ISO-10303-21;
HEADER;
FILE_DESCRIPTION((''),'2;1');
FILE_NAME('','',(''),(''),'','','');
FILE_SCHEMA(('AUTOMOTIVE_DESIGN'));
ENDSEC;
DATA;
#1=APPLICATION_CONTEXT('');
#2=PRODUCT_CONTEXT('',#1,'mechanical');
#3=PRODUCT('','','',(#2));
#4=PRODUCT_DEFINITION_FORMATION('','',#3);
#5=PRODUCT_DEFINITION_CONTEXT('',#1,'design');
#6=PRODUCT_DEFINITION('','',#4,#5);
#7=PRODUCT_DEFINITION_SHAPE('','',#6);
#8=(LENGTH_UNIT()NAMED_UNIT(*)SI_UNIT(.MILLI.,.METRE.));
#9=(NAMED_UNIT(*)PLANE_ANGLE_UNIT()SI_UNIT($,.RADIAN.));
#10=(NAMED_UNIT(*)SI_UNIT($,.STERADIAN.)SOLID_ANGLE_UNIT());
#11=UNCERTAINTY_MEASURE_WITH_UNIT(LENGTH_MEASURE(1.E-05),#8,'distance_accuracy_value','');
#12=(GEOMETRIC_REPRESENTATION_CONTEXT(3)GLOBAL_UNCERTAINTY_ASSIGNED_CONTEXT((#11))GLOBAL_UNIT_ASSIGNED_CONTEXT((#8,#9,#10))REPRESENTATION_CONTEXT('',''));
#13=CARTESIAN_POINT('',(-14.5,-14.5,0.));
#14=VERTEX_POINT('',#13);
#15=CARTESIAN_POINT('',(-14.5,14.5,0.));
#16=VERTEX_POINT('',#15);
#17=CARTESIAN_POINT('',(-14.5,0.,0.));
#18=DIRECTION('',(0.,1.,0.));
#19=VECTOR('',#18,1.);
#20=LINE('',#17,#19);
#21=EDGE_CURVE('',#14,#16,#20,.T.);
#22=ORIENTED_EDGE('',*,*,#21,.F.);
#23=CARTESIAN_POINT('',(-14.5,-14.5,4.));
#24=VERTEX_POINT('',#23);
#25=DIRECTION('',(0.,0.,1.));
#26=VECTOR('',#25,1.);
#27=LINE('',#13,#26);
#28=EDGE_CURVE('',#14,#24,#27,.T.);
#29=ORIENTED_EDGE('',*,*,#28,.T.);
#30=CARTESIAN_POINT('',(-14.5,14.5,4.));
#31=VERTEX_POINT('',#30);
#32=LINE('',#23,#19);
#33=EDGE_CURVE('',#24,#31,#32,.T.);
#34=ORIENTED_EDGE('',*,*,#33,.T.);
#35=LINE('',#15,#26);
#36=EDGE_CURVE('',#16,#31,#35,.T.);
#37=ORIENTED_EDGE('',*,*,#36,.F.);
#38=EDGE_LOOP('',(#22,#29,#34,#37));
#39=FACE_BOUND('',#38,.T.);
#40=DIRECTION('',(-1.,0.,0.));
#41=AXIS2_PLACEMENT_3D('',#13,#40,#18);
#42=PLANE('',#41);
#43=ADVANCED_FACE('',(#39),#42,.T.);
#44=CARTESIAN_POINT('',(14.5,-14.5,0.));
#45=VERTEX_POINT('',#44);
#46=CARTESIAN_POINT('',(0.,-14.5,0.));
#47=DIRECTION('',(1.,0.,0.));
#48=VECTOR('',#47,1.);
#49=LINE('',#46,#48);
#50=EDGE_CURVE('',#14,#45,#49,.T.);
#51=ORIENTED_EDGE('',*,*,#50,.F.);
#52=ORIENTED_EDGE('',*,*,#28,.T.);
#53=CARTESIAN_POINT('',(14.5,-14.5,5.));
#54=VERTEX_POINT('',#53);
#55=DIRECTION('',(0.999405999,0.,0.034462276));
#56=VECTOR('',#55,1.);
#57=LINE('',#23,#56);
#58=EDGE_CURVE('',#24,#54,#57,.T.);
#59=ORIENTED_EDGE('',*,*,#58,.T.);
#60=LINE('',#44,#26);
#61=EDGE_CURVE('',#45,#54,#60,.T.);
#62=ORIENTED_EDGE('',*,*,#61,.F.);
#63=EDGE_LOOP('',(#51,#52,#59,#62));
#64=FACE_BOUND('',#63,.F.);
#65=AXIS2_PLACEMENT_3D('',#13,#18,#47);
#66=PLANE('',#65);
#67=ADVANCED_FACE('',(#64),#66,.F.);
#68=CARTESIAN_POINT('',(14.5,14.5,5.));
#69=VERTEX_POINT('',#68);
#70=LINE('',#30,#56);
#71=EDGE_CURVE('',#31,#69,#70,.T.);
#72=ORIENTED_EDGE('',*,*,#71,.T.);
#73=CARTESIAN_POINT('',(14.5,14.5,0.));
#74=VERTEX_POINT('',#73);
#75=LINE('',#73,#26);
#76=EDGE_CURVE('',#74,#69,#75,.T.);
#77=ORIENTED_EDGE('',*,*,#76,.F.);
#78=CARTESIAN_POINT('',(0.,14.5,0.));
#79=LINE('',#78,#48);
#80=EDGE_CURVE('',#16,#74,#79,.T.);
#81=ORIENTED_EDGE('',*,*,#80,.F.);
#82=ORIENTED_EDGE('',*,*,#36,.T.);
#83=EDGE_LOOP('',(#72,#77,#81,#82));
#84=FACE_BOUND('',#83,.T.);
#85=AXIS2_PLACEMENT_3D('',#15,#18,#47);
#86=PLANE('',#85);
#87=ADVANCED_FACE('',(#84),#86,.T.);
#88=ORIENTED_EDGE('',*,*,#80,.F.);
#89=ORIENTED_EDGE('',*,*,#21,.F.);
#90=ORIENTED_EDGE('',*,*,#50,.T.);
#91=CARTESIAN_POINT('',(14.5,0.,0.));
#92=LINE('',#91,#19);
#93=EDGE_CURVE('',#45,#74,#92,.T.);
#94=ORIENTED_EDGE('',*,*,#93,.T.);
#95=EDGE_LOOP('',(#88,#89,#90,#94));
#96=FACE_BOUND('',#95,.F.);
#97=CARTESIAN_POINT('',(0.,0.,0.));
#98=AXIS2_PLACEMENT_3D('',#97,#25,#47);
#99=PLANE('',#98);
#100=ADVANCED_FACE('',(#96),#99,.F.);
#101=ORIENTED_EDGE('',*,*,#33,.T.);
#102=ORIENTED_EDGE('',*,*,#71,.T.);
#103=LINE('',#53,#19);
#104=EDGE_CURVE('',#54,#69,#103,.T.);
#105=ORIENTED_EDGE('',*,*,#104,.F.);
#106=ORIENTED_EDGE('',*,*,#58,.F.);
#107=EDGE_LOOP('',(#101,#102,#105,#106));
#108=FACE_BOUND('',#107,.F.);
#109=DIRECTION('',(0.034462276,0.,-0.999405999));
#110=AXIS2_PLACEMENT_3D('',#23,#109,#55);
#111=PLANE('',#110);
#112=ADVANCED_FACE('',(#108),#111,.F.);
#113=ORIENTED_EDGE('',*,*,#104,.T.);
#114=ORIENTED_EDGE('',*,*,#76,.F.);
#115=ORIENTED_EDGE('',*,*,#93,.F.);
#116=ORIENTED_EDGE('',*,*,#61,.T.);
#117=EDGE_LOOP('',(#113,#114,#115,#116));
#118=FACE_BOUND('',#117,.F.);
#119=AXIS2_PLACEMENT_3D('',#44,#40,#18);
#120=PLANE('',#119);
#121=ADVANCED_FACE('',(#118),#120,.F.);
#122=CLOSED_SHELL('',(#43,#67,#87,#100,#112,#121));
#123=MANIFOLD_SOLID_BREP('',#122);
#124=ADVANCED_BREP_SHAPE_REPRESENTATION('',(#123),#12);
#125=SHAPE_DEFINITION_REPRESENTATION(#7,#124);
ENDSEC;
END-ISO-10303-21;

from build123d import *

# Parameters (mm, degrees)
F0_W     = 29
F0_H     = 29
F1_DEPTH = 6
F3_DEPTH = 29


with BuildPart() as f1:
    # F0 (on Top) → F1 (new body)
    with BuildSketch(Plane.XY):
        Rectangle(F0_W, F0_H)
    extrude(amount=F1_DEPTH)

    # F2 (on face) → F3 (cut)
    with BuildSketch(Plane.XZ.offset(14.5)):
        Polygon((-14.5, 6), (-14.5, 4), (14.5, 5), (14.5, 6), align=None)
    extrude(amount=-F3_DEPTH, mode=Mode.SUBTRACT)


solid = f1.part
